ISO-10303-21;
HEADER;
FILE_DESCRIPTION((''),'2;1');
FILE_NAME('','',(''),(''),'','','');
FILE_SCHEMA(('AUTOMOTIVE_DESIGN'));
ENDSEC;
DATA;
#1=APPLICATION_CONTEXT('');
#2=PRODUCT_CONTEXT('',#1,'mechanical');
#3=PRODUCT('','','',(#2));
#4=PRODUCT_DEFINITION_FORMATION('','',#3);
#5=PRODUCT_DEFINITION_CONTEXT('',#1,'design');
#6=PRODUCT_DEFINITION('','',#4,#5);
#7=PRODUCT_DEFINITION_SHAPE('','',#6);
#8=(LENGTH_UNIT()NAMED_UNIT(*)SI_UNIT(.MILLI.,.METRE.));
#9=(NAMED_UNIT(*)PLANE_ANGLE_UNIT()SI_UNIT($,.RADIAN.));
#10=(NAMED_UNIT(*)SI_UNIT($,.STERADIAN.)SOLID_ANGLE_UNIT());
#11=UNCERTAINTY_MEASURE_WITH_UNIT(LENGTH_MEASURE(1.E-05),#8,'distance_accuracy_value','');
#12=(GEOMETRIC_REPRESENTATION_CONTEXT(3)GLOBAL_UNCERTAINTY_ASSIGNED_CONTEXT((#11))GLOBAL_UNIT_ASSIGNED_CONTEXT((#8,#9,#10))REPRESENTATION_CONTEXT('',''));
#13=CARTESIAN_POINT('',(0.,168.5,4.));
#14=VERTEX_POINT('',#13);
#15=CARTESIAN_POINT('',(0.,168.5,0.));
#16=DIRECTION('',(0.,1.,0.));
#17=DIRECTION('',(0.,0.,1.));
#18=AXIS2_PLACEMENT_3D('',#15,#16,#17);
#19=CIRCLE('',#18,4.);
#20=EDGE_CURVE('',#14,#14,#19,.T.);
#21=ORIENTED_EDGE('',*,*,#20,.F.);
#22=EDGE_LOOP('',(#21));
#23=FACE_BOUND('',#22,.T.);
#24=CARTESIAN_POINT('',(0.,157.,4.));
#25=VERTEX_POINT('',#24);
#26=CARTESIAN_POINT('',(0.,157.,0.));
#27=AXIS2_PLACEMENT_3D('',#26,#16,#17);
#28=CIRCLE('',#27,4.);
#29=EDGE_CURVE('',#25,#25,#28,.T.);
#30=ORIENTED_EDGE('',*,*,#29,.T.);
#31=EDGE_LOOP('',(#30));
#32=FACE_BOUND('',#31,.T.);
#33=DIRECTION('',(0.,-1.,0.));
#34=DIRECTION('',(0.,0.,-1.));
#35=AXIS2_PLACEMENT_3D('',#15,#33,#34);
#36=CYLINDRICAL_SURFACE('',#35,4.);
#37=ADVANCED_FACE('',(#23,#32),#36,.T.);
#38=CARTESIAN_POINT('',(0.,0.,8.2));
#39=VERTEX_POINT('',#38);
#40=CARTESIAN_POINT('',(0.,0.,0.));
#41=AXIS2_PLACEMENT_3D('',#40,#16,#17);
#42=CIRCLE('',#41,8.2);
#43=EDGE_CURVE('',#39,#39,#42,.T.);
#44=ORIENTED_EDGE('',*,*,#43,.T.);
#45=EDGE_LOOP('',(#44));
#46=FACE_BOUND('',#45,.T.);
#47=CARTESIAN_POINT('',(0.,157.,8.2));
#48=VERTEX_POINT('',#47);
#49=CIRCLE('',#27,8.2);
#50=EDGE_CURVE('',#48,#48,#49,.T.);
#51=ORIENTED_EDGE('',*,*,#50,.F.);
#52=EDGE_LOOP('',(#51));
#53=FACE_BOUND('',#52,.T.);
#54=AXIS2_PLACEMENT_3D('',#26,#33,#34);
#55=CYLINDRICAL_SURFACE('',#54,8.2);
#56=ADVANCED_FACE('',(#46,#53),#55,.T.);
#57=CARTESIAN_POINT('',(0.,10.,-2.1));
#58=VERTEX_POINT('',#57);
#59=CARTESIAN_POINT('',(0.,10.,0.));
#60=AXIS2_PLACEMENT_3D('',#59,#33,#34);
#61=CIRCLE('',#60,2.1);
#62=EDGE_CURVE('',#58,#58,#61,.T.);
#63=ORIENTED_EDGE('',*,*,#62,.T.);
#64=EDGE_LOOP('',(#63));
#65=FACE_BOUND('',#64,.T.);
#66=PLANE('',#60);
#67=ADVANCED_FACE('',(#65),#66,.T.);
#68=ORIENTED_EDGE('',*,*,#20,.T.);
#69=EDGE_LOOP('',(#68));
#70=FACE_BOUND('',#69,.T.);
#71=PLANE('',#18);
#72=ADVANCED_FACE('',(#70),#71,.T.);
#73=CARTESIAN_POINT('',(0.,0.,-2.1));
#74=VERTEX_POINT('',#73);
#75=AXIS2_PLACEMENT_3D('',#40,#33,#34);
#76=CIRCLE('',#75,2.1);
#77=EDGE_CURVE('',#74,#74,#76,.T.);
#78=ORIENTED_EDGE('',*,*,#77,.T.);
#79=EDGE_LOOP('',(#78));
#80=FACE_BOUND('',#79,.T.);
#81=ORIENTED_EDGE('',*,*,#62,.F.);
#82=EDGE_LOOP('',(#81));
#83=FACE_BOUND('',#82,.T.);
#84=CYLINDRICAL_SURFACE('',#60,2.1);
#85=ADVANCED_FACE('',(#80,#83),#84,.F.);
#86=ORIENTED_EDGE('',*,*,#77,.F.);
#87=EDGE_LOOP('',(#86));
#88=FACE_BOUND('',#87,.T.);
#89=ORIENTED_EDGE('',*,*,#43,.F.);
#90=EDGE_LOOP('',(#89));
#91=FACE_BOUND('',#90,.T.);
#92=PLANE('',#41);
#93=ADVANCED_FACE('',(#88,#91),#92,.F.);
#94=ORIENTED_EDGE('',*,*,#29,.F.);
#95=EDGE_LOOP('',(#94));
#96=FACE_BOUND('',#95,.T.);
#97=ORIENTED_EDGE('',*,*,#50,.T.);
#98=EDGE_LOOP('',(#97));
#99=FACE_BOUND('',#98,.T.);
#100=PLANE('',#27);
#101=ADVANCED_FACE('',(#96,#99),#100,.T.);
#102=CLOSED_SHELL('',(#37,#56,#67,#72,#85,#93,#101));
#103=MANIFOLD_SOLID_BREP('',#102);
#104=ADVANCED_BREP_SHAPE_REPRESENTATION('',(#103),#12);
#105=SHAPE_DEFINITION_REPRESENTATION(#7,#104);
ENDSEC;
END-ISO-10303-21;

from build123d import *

# Parameters (mm, degrees)
SKETCH2_R           = 8.2
BOSS_EXTRUDE1_DEPTH = 157
SKETCH4_R           = 2.1
CUT_EXTRUDE2_DEPTH  = 10
SKETCH3_R           = 4
BOSS_EXTRUDE2_DEPTH = 11.5


with BuildPart() as part:
    # Sketch2 → Boss-Extrude1 (new body)
    with BuildSketch(Plane(origin=(0, 0, 0), x_dir=(1, 0, 0), z_dir=(0, 1, 0))):
        with Locations(Location((0, 0, 0), (0, 0, 270))):
            Circle(SKETCH2_R)
    extrude(amount=BOSS_EXTRUDE1_DEPTH)

    # Sketch4 → Cut-Extrude2 (cut)
    with BuildSketch(Plane.XZ):
        with Locations(Location((0, 0, 0), (0, 0, 270))):
            Circle(SKETCH4_R)
    extrude(amount=-CUT_EXTRUDE2_DEPTH, mode=Mode.SUBTRACT)

    # Sketch3 → Boss-Extrude2 (add)
    with BuildSketch(Plane(origin=(0, 157, 0), x_dir=(1, 0, 0), z_dir=(0, 1, 0))):
        with Locations(Location((0, 0, 0), (0, 0, 270))):
            Circle(SKETCH3_R)
    extrude(amount=BOSS_EXTRUDE2_DEPTH)


solid = part.part
